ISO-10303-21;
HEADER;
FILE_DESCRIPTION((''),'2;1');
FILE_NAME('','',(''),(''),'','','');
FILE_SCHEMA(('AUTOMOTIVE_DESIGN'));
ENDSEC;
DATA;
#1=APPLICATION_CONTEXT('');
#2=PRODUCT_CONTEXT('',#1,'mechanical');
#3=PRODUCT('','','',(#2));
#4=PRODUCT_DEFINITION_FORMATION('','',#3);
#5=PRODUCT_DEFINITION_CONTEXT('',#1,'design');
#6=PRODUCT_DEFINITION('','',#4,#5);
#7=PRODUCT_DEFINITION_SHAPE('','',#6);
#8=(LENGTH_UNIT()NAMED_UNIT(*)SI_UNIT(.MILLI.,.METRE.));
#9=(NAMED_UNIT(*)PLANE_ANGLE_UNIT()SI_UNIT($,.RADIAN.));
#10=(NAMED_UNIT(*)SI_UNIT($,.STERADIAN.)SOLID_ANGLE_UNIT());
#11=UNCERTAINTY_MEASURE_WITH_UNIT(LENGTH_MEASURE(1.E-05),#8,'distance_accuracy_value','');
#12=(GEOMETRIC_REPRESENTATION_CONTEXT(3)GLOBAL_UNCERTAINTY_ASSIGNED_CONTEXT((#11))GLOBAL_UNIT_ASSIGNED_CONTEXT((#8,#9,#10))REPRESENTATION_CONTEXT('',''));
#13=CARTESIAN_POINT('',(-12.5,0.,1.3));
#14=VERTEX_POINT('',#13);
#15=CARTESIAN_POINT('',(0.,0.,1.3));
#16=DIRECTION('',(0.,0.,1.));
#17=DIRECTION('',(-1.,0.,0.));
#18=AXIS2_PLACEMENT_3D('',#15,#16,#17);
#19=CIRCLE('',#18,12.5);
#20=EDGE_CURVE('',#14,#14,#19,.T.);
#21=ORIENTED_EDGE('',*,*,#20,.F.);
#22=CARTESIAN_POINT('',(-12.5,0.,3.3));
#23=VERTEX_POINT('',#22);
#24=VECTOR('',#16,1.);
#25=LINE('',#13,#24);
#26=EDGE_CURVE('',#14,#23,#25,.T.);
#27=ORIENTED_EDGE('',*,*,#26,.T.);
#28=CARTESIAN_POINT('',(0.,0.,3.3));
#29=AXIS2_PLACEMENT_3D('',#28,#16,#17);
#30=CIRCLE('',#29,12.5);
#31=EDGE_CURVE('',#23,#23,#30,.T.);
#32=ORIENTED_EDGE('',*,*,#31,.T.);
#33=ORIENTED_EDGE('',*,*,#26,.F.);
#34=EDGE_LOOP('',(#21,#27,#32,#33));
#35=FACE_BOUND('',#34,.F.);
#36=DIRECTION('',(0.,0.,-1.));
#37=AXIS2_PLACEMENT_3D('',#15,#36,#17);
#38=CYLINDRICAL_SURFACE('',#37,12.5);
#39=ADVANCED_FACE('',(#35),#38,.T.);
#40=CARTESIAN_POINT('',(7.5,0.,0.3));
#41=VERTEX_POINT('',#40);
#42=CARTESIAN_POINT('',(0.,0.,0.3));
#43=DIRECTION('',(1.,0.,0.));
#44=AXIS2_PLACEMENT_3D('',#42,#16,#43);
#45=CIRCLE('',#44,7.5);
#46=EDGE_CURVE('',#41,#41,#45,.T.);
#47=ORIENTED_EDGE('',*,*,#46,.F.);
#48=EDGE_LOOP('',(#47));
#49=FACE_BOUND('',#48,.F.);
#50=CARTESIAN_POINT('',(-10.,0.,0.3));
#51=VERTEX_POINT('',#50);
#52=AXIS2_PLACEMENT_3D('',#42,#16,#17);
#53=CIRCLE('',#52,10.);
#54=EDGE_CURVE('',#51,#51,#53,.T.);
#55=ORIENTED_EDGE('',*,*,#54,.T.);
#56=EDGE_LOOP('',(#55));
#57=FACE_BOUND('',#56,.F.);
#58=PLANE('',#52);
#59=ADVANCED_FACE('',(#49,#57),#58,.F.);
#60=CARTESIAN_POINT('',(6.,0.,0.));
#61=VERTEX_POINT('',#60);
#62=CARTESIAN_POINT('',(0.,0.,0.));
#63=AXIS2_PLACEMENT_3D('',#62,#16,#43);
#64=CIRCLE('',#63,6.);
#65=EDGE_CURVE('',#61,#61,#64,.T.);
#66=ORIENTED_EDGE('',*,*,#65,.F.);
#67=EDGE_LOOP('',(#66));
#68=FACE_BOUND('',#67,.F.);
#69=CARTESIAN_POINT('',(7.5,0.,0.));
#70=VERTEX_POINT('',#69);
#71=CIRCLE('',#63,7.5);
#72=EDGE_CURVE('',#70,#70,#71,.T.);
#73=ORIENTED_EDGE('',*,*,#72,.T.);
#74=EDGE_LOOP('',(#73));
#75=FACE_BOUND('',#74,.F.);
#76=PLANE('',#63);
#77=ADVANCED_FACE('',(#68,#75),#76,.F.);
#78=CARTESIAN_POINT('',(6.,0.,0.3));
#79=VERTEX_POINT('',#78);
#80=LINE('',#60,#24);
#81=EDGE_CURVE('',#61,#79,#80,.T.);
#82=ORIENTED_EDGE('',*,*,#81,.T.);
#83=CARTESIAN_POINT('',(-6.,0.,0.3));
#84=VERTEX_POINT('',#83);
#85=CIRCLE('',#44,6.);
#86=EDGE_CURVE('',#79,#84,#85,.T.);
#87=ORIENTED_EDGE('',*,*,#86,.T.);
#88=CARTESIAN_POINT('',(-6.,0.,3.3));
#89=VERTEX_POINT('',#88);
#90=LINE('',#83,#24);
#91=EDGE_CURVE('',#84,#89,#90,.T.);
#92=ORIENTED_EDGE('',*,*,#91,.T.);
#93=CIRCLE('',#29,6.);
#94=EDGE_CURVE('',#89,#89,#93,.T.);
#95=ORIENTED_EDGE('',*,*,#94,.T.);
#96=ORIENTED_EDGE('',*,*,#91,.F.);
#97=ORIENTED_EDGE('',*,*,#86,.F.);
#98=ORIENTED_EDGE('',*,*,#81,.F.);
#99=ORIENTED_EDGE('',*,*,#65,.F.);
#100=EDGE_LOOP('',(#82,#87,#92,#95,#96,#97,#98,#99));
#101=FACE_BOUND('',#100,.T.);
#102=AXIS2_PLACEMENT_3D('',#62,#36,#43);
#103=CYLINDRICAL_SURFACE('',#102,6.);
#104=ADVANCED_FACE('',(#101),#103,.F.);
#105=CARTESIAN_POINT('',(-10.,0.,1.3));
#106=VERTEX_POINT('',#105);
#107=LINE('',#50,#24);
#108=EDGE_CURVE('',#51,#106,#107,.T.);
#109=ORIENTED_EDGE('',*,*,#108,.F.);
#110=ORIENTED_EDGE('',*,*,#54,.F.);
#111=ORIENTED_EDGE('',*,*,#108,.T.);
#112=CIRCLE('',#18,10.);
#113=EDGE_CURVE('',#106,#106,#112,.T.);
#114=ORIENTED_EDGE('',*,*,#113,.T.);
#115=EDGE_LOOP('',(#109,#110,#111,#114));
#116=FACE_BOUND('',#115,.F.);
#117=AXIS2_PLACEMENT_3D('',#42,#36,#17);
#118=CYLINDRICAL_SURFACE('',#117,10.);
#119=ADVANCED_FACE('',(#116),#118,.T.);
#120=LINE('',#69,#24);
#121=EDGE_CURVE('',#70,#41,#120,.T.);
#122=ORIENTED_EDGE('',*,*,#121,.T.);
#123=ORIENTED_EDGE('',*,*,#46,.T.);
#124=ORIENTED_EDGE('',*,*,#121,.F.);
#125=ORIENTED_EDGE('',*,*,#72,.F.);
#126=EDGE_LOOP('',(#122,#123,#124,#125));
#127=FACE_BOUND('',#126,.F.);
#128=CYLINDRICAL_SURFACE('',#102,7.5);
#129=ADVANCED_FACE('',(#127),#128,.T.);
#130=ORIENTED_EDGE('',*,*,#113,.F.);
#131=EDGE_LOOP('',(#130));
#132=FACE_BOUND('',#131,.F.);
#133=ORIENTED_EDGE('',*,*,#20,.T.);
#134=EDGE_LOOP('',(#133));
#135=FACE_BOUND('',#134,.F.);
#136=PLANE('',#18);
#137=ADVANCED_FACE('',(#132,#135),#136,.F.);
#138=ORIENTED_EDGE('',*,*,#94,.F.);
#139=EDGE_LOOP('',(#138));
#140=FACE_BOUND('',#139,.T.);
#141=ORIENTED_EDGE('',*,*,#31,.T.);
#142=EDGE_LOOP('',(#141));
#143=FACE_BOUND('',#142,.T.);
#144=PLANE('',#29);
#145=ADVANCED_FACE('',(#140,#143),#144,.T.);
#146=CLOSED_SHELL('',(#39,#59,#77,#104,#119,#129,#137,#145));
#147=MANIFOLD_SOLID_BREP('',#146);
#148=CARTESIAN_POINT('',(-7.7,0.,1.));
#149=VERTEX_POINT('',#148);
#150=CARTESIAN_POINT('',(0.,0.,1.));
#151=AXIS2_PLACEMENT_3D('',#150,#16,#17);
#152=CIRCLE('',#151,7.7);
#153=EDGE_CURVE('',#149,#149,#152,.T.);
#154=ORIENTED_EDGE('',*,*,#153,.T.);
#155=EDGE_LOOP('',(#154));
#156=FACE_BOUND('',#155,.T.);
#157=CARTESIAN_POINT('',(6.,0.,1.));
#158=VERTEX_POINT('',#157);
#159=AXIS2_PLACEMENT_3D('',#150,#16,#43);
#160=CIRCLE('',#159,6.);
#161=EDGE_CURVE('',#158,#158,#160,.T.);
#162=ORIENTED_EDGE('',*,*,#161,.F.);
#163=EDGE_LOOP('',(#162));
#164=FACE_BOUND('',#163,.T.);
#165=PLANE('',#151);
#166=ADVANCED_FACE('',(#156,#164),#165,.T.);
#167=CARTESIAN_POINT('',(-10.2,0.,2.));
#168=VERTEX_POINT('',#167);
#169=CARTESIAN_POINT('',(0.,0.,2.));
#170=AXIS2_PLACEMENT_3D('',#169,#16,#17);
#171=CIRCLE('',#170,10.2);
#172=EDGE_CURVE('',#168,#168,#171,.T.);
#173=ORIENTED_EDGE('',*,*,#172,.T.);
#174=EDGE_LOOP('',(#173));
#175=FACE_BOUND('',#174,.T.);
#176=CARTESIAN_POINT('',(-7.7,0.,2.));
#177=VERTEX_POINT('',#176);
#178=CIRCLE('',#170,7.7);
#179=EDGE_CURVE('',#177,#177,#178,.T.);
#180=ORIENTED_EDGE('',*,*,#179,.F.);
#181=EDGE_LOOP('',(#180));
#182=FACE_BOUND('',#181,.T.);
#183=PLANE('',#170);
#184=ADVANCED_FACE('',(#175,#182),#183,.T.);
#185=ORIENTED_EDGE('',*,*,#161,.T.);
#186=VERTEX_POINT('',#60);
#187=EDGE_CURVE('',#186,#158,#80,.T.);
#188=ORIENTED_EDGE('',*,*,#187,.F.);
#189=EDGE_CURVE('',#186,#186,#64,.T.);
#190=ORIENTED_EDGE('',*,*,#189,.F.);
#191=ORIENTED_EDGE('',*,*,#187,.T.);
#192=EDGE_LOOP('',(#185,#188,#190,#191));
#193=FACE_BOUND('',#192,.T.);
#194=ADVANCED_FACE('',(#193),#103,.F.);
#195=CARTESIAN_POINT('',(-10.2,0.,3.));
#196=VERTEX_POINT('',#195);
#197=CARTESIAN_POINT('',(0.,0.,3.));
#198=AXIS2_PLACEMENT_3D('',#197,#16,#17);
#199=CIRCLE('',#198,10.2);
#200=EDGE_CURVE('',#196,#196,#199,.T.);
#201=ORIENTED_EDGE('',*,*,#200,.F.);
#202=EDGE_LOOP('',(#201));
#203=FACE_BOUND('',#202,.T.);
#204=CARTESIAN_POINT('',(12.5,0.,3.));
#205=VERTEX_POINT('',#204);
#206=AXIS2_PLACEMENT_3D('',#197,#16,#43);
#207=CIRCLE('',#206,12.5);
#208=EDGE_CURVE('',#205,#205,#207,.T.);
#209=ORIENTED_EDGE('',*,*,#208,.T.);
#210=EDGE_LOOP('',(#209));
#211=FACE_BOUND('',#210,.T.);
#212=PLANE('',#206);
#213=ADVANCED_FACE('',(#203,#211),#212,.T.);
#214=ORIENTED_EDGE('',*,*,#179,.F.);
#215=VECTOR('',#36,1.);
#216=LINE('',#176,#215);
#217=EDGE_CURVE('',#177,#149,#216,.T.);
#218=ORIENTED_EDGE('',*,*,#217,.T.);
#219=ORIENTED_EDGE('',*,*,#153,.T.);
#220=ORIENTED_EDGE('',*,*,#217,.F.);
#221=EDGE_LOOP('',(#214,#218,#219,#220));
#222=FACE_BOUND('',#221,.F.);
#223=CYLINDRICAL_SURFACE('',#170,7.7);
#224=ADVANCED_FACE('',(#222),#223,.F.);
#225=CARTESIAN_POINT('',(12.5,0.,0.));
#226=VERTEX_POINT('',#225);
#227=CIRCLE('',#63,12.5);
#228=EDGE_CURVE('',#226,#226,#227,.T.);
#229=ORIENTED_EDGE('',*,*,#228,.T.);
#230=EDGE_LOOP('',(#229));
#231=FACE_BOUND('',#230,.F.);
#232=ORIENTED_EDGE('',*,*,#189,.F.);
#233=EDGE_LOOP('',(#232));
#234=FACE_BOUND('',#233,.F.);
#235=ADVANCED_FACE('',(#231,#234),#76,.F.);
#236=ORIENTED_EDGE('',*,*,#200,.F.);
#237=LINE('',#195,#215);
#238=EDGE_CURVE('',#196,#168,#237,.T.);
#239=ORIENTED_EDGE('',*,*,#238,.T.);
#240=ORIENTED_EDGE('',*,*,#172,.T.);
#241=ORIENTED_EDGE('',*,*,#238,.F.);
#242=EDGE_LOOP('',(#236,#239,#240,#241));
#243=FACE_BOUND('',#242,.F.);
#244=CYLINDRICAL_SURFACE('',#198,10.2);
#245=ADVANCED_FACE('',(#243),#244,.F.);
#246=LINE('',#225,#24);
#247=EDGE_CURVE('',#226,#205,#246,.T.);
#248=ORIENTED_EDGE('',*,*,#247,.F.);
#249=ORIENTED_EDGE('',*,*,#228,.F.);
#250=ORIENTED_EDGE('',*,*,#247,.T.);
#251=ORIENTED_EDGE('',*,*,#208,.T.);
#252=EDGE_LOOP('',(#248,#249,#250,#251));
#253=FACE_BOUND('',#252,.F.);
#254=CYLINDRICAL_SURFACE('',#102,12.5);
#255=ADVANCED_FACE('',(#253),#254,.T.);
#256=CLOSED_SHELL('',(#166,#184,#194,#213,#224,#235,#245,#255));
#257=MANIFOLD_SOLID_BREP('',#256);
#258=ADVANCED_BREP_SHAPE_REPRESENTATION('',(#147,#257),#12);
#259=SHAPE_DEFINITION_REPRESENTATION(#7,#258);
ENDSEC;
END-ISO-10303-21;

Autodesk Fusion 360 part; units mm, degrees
sketch "Sketch1" plane through (0, 0, 0) normal (0, 0, 1) x (1, 0, 0) in component "Base"
  circle A0 centre (0, 0) radius 12.5
  circle A1 centre (0, 0) radius 6
  dimension "d38" = 25
  dimension "d39" = 12
extrude "Extrude1" add sketch "Sketch1" along normal blind 3 makes body 1 in component "Base"
sketch "Sketch2" plane through (0, 0, 3) normal (0, 0, 1) x (-1, 0, 0) in component "Base"
  circle A0 centre (0, 0) radius 6
  circle A1 centre (0, 0) radius 12.5
  circle A2 centre (0, 0) radius 10.2
  dimension "d44" = 20.4
extrude "Extrude2" cut sketch "Sketch2" against normal blind 1 contours A2 bodies 1 in component "Base"
sketch "Sketch3" plane through (0, 0, 2) normal (0, 0, 1) x (-1, 0, 0) in component "Base"
  circle A0 centre (0, 0) radius 6
  circle A1 centre (0, 0) radius 10.2
  circle A2 centre (0, 0) radius 7.7
  dimension "d48" = 15.4
extrude "Extrude3" cut sketch "Sketch3" against normal blind 1 contours A2 bodies 1 in component "Base"
sketch "Sketch1 (2)" plane through (0, 0, 0) normal (0, 0, 1) x (1, 0, 0) in component "Lid"
  circle A0 centre (0, 0) radius 7.5
  circle A1 centre (0, 0) radius 6
  dimension "d51" = 12
  dimension "d52" = 15
extrude "Extrude1'" add sketch "Sketch1 (2)" along normal blind 0.3 separate body makes body 2 in component "Lid"
sketch "Sketch2 (2)" plane through (0, 0, 0.3) normal (0, 0, 1) x (-1, 0, 0) in component "Lid"
  circle A0 centre (0, 0) radius 6
  circle A1 centre (0, 0) radius 7.5
  circle A2 centre (0, 0) radius 6
  circle A3 centre (0, 0) radius 10
  dimension "d55" = 12
  dimension "d56" = 20
extrude "Extrude2'" add sketch "Sketch2 (2)" along normal blind 1 contours A1 | A3 bodies 2 in component "Lid"
sketch "Sketch3 (2)" plane through (0, 0, 1.3) normal (0, 0, 1) x (-1, 0, 0) in component "Lid"
  circle A0 centre (0, 0) radius 6
  circle A1 centre (0, 0) radius 10
  circle A2 centre (0, 0) radius 6
  circle A3 centre (0, 0) radius 12.5
  dimension "d59" = 25
  dimension "d60" = 12
extrude "Extrude3'" add sketch "Sketch3 (2)" along normal blind 2 contours A1 | A3 bodies 2 in component "Lid"
component "Base" placed x (1, 0, 0) y (0, 1, 0) z (0, 0, 1) at (0, 0, 0)
component "Lid" placed x (1, 0, 0) y (0, 1, 0) z (0, 0, 1) at (0, 0, 0)
equation "waveplate_t = 1 mm"
equation "waveplate_d = 15 mm"
equation "clear_aperture = 12 mm"
equation "external_d = 25 mm"
equation "pressure_extension = 0.3 mm"
equation "margin = 0.2 mm"
equation "mid_ring_d = 20 mm"
equation "d39 = clear_aperture"
equation "lid_external_t = 2 mm"
equation "base_t = 3 mm"
equation "d42 = base_t"
equation "d44 = mid_ring_d + 2 * margin"
equation "lid_insert_t = 1 mm"
equation "d46 = -lid_insert_t"
equation "d48 = waveplate_d + 2 * margin"
equation "d49 = -waveplate_t"
equation "d51 = clear_aperture"
equation "d52 = waveplate_d"
equation "d53 = pressure_extension"
equation "d55 = clear_aperture"
equation "d56 = mid_ring_d"
equation "d57 = lid_insert_t"
equation "d59 = external_d"
equation "d60 = clear_aperture"
equation "d61 = lid_external_t"
